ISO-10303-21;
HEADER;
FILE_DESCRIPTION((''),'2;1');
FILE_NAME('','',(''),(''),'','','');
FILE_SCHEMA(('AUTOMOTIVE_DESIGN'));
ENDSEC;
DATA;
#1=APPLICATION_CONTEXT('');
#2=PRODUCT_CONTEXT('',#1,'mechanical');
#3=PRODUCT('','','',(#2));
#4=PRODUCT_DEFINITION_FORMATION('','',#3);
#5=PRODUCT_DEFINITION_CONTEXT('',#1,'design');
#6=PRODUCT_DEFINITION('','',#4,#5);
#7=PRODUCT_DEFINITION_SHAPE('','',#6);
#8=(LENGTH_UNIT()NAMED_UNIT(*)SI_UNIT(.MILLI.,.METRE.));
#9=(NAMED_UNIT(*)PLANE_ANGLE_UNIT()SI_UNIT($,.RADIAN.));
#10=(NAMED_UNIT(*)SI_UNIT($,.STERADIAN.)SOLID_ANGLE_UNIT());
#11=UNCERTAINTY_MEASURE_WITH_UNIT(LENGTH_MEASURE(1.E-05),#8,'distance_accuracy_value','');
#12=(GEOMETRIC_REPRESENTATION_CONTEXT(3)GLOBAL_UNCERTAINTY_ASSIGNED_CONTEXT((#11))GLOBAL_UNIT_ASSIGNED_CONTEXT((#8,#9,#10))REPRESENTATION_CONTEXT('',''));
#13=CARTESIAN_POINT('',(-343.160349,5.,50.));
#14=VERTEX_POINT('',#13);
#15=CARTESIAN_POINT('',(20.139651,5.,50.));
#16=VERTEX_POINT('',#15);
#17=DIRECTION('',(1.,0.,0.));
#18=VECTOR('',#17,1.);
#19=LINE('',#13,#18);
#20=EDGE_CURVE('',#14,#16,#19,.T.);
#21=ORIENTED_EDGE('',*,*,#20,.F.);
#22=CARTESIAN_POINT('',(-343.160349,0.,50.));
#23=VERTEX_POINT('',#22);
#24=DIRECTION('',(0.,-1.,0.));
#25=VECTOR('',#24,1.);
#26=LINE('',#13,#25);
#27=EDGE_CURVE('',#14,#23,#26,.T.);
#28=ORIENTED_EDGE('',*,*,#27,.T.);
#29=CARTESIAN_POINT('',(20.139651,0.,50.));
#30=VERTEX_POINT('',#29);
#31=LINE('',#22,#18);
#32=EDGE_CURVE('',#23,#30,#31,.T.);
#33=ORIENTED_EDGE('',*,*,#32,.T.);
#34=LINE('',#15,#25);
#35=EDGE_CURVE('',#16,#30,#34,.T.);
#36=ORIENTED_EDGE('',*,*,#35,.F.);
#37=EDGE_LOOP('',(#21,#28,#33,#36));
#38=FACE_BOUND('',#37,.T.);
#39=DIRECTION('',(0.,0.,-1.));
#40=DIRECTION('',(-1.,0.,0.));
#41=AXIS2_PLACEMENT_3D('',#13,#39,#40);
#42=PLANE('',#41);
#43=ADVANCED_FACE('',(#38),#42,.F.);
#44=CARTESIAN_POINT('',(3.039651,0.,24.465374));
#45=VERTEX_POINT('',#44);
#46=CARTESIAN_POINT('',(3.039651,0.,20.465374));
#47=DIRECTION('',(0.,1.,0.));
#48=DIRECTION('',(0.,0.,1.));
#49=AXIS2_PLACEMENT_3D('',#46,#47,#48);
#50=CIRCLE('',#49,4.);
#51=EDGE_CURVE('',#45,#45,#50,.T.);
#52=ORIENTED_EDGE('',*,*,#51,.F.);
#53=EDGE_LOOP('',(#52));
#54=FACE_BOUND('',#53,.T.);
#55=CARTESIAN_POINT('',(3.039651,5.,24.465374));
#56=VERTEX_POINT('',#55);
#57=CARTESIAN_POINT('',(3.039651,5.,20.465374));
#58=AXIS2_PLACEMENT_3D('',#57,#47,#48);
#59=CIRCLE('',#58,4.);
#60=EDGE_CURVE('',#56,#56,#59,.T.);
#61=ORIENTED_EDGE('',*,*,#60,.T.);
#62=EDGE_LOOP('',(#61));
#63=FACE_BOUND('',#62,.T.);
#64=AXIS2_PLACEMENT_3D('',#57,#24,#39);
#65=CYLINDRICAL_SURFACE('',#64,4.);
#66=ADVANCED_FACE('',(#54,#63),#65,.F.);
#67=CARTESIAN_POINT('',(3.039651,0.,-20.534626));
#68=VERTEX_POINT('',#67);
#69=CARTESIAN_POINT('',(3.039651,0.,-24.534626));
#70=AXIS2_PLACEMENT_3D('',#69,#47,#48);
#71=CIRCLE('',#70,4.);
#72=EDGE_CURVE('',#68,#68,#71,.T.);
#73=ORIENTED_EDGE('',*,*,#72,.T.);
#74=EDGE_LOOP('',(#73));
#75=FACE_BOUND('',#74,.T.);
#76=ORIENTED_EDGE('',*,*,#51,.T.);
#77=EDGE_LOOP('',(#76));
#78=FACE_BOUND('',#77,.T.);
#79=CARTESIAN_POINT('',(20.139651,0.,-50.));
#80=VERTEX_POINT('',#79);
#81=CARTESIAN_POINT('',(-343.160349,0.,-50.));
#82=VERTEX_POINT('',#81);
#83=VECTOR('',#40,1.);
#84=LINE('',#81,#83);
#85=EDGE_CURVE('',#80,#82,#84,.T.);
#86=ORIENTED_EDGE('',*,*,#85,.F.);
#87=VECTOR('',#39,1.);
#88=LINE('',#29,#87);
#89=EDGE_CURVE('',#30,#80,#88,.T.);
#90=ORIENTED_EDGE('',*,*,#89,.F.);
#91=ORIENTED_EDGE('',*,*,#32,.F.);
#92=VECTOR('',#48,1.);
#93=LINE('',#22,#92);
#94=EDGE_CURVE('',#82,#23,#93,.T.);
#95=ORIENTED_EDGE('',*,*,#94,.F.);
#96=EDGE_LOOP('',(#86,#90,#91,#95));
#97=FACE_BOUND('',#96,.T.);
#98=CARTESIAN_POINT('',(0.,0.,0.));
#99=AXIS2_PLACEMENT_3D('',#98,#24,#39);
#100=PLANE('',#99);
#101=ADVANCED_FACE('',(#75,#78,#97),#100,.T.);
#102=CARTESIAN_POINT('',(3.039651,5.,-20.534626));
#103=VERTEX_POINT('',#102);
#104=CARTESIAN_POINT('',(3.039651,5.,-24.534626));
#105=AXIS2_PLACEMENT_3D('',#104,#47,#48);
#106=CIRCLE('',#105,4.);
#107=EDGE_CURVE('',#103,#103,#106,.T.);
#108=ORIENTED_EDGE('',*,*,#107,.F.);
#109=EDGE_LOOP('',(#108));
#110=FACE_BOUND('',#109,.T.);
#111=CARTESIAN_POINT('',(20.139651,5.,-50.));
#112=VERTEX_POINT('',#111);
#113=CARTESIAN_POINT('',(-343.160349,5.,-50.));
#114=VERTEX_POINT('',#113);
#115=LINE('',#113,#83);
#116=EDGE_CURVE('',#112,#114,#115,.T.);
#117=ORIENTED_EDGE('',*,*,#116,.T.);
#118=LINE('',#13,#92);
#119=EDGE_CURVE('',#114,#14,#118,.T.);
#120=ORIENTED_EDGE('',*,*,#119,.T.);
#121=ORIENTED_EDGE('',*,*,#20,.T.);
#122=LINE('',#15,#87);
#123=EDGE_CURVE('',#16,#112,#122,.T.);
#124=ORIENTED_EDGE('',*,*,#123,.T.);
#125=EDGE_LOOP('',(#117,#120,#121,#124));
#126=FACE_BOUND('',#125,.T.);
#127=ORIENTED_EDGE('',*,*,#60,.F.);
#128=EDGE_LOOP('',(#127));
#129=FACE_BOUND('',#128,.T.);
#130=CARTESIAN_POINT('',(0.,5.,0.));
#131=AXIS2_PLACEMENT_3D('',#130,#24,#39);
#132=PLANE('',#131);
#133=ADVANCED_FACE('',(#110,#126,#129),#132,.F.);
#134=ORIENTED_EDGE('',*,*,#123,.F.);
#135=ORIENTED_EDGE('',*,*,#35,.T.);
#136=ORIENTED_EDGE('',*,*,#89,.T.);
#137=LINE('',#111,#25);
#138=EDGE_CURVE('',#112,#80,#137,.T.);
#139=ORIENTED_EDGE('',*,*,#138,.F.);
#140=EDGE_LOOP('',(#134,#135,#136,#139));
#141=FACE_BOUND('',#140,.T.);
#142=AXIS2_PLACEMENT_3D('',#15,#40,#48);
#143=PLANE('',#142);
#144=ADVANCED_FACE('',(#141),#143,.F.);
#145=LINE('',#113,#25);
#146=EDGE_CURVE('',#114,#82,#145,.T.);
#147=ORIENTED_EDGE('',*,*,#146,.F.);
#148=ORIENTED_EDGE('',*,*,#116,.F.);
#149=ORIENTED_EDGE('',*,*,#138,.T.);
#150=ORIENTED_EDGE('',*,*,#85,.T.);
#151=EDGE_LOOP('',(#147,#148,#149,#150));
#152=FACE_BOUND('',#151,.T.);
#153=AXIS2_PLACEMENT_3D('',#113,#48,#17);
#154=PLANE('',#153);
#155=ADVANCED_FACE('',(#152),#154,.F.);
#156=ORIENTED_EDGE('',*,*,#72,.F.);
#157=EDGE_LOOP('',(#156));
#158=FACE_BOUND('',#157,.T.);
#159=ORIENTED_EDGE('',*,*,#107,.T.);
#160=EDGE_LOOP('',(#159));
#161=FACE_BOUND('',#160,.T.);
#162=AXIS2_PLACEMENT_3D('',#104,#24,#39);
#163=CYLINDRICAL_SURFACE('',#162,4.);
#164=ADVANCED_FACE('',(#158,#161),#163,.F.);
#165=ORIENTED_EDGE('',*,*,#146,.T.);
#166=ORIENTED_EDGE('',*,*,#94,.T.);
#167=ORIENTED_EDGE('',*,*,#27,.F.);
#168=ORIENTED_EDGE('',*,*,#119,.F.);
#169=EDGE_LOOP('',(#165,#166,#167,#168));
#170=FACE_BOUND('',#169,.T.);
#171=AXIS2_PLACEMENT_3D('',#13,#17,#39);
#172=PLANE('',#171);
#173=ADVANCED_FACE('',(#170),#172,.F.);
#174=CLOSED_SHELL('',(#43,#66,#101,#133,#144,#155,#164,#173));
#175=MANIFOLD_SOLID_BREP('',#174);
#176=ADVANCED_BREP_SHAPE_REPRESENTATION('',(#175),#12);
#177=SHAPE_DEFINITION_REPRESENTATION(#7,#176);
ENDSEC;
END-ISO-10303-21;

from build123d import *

# Parameters (mm, degrees)
ESBO_O1_W                = 363.3
ESBO_O1_H                = 100
ESBO_O1_R                = 4
RESSALTO_EXTRUS_O1_DEPTH = 5


with BuildPart() as part:
    # Esboço1 → Ressalto-extrusão1 (new body)
    with BuildSketch(Plane(origin=(0, 0, 0), x_dir=(1, 0, 0), z_dir=(0, 1, 0))):
        with Locations((-161.510348512, 0)):
            Rectangle(ESBO_O1_W, ESBO_O1_H)
        with Locations(Location((3.039651488, 24.534626046, 0), (0, 0, 270))):
            Circle(ESBO_O1_R, mode=Mode.SUBTRACT)
        with Locations(Location((3.039651488, -20.465373954, 0), (0, 0, 270))):
            Circle(ESBO_O1_R, mode=Mode.SUBTRACT)
    extrude(amount=RESSALTO_EXTRUS_O1_DEPTH)


solid = part.part
